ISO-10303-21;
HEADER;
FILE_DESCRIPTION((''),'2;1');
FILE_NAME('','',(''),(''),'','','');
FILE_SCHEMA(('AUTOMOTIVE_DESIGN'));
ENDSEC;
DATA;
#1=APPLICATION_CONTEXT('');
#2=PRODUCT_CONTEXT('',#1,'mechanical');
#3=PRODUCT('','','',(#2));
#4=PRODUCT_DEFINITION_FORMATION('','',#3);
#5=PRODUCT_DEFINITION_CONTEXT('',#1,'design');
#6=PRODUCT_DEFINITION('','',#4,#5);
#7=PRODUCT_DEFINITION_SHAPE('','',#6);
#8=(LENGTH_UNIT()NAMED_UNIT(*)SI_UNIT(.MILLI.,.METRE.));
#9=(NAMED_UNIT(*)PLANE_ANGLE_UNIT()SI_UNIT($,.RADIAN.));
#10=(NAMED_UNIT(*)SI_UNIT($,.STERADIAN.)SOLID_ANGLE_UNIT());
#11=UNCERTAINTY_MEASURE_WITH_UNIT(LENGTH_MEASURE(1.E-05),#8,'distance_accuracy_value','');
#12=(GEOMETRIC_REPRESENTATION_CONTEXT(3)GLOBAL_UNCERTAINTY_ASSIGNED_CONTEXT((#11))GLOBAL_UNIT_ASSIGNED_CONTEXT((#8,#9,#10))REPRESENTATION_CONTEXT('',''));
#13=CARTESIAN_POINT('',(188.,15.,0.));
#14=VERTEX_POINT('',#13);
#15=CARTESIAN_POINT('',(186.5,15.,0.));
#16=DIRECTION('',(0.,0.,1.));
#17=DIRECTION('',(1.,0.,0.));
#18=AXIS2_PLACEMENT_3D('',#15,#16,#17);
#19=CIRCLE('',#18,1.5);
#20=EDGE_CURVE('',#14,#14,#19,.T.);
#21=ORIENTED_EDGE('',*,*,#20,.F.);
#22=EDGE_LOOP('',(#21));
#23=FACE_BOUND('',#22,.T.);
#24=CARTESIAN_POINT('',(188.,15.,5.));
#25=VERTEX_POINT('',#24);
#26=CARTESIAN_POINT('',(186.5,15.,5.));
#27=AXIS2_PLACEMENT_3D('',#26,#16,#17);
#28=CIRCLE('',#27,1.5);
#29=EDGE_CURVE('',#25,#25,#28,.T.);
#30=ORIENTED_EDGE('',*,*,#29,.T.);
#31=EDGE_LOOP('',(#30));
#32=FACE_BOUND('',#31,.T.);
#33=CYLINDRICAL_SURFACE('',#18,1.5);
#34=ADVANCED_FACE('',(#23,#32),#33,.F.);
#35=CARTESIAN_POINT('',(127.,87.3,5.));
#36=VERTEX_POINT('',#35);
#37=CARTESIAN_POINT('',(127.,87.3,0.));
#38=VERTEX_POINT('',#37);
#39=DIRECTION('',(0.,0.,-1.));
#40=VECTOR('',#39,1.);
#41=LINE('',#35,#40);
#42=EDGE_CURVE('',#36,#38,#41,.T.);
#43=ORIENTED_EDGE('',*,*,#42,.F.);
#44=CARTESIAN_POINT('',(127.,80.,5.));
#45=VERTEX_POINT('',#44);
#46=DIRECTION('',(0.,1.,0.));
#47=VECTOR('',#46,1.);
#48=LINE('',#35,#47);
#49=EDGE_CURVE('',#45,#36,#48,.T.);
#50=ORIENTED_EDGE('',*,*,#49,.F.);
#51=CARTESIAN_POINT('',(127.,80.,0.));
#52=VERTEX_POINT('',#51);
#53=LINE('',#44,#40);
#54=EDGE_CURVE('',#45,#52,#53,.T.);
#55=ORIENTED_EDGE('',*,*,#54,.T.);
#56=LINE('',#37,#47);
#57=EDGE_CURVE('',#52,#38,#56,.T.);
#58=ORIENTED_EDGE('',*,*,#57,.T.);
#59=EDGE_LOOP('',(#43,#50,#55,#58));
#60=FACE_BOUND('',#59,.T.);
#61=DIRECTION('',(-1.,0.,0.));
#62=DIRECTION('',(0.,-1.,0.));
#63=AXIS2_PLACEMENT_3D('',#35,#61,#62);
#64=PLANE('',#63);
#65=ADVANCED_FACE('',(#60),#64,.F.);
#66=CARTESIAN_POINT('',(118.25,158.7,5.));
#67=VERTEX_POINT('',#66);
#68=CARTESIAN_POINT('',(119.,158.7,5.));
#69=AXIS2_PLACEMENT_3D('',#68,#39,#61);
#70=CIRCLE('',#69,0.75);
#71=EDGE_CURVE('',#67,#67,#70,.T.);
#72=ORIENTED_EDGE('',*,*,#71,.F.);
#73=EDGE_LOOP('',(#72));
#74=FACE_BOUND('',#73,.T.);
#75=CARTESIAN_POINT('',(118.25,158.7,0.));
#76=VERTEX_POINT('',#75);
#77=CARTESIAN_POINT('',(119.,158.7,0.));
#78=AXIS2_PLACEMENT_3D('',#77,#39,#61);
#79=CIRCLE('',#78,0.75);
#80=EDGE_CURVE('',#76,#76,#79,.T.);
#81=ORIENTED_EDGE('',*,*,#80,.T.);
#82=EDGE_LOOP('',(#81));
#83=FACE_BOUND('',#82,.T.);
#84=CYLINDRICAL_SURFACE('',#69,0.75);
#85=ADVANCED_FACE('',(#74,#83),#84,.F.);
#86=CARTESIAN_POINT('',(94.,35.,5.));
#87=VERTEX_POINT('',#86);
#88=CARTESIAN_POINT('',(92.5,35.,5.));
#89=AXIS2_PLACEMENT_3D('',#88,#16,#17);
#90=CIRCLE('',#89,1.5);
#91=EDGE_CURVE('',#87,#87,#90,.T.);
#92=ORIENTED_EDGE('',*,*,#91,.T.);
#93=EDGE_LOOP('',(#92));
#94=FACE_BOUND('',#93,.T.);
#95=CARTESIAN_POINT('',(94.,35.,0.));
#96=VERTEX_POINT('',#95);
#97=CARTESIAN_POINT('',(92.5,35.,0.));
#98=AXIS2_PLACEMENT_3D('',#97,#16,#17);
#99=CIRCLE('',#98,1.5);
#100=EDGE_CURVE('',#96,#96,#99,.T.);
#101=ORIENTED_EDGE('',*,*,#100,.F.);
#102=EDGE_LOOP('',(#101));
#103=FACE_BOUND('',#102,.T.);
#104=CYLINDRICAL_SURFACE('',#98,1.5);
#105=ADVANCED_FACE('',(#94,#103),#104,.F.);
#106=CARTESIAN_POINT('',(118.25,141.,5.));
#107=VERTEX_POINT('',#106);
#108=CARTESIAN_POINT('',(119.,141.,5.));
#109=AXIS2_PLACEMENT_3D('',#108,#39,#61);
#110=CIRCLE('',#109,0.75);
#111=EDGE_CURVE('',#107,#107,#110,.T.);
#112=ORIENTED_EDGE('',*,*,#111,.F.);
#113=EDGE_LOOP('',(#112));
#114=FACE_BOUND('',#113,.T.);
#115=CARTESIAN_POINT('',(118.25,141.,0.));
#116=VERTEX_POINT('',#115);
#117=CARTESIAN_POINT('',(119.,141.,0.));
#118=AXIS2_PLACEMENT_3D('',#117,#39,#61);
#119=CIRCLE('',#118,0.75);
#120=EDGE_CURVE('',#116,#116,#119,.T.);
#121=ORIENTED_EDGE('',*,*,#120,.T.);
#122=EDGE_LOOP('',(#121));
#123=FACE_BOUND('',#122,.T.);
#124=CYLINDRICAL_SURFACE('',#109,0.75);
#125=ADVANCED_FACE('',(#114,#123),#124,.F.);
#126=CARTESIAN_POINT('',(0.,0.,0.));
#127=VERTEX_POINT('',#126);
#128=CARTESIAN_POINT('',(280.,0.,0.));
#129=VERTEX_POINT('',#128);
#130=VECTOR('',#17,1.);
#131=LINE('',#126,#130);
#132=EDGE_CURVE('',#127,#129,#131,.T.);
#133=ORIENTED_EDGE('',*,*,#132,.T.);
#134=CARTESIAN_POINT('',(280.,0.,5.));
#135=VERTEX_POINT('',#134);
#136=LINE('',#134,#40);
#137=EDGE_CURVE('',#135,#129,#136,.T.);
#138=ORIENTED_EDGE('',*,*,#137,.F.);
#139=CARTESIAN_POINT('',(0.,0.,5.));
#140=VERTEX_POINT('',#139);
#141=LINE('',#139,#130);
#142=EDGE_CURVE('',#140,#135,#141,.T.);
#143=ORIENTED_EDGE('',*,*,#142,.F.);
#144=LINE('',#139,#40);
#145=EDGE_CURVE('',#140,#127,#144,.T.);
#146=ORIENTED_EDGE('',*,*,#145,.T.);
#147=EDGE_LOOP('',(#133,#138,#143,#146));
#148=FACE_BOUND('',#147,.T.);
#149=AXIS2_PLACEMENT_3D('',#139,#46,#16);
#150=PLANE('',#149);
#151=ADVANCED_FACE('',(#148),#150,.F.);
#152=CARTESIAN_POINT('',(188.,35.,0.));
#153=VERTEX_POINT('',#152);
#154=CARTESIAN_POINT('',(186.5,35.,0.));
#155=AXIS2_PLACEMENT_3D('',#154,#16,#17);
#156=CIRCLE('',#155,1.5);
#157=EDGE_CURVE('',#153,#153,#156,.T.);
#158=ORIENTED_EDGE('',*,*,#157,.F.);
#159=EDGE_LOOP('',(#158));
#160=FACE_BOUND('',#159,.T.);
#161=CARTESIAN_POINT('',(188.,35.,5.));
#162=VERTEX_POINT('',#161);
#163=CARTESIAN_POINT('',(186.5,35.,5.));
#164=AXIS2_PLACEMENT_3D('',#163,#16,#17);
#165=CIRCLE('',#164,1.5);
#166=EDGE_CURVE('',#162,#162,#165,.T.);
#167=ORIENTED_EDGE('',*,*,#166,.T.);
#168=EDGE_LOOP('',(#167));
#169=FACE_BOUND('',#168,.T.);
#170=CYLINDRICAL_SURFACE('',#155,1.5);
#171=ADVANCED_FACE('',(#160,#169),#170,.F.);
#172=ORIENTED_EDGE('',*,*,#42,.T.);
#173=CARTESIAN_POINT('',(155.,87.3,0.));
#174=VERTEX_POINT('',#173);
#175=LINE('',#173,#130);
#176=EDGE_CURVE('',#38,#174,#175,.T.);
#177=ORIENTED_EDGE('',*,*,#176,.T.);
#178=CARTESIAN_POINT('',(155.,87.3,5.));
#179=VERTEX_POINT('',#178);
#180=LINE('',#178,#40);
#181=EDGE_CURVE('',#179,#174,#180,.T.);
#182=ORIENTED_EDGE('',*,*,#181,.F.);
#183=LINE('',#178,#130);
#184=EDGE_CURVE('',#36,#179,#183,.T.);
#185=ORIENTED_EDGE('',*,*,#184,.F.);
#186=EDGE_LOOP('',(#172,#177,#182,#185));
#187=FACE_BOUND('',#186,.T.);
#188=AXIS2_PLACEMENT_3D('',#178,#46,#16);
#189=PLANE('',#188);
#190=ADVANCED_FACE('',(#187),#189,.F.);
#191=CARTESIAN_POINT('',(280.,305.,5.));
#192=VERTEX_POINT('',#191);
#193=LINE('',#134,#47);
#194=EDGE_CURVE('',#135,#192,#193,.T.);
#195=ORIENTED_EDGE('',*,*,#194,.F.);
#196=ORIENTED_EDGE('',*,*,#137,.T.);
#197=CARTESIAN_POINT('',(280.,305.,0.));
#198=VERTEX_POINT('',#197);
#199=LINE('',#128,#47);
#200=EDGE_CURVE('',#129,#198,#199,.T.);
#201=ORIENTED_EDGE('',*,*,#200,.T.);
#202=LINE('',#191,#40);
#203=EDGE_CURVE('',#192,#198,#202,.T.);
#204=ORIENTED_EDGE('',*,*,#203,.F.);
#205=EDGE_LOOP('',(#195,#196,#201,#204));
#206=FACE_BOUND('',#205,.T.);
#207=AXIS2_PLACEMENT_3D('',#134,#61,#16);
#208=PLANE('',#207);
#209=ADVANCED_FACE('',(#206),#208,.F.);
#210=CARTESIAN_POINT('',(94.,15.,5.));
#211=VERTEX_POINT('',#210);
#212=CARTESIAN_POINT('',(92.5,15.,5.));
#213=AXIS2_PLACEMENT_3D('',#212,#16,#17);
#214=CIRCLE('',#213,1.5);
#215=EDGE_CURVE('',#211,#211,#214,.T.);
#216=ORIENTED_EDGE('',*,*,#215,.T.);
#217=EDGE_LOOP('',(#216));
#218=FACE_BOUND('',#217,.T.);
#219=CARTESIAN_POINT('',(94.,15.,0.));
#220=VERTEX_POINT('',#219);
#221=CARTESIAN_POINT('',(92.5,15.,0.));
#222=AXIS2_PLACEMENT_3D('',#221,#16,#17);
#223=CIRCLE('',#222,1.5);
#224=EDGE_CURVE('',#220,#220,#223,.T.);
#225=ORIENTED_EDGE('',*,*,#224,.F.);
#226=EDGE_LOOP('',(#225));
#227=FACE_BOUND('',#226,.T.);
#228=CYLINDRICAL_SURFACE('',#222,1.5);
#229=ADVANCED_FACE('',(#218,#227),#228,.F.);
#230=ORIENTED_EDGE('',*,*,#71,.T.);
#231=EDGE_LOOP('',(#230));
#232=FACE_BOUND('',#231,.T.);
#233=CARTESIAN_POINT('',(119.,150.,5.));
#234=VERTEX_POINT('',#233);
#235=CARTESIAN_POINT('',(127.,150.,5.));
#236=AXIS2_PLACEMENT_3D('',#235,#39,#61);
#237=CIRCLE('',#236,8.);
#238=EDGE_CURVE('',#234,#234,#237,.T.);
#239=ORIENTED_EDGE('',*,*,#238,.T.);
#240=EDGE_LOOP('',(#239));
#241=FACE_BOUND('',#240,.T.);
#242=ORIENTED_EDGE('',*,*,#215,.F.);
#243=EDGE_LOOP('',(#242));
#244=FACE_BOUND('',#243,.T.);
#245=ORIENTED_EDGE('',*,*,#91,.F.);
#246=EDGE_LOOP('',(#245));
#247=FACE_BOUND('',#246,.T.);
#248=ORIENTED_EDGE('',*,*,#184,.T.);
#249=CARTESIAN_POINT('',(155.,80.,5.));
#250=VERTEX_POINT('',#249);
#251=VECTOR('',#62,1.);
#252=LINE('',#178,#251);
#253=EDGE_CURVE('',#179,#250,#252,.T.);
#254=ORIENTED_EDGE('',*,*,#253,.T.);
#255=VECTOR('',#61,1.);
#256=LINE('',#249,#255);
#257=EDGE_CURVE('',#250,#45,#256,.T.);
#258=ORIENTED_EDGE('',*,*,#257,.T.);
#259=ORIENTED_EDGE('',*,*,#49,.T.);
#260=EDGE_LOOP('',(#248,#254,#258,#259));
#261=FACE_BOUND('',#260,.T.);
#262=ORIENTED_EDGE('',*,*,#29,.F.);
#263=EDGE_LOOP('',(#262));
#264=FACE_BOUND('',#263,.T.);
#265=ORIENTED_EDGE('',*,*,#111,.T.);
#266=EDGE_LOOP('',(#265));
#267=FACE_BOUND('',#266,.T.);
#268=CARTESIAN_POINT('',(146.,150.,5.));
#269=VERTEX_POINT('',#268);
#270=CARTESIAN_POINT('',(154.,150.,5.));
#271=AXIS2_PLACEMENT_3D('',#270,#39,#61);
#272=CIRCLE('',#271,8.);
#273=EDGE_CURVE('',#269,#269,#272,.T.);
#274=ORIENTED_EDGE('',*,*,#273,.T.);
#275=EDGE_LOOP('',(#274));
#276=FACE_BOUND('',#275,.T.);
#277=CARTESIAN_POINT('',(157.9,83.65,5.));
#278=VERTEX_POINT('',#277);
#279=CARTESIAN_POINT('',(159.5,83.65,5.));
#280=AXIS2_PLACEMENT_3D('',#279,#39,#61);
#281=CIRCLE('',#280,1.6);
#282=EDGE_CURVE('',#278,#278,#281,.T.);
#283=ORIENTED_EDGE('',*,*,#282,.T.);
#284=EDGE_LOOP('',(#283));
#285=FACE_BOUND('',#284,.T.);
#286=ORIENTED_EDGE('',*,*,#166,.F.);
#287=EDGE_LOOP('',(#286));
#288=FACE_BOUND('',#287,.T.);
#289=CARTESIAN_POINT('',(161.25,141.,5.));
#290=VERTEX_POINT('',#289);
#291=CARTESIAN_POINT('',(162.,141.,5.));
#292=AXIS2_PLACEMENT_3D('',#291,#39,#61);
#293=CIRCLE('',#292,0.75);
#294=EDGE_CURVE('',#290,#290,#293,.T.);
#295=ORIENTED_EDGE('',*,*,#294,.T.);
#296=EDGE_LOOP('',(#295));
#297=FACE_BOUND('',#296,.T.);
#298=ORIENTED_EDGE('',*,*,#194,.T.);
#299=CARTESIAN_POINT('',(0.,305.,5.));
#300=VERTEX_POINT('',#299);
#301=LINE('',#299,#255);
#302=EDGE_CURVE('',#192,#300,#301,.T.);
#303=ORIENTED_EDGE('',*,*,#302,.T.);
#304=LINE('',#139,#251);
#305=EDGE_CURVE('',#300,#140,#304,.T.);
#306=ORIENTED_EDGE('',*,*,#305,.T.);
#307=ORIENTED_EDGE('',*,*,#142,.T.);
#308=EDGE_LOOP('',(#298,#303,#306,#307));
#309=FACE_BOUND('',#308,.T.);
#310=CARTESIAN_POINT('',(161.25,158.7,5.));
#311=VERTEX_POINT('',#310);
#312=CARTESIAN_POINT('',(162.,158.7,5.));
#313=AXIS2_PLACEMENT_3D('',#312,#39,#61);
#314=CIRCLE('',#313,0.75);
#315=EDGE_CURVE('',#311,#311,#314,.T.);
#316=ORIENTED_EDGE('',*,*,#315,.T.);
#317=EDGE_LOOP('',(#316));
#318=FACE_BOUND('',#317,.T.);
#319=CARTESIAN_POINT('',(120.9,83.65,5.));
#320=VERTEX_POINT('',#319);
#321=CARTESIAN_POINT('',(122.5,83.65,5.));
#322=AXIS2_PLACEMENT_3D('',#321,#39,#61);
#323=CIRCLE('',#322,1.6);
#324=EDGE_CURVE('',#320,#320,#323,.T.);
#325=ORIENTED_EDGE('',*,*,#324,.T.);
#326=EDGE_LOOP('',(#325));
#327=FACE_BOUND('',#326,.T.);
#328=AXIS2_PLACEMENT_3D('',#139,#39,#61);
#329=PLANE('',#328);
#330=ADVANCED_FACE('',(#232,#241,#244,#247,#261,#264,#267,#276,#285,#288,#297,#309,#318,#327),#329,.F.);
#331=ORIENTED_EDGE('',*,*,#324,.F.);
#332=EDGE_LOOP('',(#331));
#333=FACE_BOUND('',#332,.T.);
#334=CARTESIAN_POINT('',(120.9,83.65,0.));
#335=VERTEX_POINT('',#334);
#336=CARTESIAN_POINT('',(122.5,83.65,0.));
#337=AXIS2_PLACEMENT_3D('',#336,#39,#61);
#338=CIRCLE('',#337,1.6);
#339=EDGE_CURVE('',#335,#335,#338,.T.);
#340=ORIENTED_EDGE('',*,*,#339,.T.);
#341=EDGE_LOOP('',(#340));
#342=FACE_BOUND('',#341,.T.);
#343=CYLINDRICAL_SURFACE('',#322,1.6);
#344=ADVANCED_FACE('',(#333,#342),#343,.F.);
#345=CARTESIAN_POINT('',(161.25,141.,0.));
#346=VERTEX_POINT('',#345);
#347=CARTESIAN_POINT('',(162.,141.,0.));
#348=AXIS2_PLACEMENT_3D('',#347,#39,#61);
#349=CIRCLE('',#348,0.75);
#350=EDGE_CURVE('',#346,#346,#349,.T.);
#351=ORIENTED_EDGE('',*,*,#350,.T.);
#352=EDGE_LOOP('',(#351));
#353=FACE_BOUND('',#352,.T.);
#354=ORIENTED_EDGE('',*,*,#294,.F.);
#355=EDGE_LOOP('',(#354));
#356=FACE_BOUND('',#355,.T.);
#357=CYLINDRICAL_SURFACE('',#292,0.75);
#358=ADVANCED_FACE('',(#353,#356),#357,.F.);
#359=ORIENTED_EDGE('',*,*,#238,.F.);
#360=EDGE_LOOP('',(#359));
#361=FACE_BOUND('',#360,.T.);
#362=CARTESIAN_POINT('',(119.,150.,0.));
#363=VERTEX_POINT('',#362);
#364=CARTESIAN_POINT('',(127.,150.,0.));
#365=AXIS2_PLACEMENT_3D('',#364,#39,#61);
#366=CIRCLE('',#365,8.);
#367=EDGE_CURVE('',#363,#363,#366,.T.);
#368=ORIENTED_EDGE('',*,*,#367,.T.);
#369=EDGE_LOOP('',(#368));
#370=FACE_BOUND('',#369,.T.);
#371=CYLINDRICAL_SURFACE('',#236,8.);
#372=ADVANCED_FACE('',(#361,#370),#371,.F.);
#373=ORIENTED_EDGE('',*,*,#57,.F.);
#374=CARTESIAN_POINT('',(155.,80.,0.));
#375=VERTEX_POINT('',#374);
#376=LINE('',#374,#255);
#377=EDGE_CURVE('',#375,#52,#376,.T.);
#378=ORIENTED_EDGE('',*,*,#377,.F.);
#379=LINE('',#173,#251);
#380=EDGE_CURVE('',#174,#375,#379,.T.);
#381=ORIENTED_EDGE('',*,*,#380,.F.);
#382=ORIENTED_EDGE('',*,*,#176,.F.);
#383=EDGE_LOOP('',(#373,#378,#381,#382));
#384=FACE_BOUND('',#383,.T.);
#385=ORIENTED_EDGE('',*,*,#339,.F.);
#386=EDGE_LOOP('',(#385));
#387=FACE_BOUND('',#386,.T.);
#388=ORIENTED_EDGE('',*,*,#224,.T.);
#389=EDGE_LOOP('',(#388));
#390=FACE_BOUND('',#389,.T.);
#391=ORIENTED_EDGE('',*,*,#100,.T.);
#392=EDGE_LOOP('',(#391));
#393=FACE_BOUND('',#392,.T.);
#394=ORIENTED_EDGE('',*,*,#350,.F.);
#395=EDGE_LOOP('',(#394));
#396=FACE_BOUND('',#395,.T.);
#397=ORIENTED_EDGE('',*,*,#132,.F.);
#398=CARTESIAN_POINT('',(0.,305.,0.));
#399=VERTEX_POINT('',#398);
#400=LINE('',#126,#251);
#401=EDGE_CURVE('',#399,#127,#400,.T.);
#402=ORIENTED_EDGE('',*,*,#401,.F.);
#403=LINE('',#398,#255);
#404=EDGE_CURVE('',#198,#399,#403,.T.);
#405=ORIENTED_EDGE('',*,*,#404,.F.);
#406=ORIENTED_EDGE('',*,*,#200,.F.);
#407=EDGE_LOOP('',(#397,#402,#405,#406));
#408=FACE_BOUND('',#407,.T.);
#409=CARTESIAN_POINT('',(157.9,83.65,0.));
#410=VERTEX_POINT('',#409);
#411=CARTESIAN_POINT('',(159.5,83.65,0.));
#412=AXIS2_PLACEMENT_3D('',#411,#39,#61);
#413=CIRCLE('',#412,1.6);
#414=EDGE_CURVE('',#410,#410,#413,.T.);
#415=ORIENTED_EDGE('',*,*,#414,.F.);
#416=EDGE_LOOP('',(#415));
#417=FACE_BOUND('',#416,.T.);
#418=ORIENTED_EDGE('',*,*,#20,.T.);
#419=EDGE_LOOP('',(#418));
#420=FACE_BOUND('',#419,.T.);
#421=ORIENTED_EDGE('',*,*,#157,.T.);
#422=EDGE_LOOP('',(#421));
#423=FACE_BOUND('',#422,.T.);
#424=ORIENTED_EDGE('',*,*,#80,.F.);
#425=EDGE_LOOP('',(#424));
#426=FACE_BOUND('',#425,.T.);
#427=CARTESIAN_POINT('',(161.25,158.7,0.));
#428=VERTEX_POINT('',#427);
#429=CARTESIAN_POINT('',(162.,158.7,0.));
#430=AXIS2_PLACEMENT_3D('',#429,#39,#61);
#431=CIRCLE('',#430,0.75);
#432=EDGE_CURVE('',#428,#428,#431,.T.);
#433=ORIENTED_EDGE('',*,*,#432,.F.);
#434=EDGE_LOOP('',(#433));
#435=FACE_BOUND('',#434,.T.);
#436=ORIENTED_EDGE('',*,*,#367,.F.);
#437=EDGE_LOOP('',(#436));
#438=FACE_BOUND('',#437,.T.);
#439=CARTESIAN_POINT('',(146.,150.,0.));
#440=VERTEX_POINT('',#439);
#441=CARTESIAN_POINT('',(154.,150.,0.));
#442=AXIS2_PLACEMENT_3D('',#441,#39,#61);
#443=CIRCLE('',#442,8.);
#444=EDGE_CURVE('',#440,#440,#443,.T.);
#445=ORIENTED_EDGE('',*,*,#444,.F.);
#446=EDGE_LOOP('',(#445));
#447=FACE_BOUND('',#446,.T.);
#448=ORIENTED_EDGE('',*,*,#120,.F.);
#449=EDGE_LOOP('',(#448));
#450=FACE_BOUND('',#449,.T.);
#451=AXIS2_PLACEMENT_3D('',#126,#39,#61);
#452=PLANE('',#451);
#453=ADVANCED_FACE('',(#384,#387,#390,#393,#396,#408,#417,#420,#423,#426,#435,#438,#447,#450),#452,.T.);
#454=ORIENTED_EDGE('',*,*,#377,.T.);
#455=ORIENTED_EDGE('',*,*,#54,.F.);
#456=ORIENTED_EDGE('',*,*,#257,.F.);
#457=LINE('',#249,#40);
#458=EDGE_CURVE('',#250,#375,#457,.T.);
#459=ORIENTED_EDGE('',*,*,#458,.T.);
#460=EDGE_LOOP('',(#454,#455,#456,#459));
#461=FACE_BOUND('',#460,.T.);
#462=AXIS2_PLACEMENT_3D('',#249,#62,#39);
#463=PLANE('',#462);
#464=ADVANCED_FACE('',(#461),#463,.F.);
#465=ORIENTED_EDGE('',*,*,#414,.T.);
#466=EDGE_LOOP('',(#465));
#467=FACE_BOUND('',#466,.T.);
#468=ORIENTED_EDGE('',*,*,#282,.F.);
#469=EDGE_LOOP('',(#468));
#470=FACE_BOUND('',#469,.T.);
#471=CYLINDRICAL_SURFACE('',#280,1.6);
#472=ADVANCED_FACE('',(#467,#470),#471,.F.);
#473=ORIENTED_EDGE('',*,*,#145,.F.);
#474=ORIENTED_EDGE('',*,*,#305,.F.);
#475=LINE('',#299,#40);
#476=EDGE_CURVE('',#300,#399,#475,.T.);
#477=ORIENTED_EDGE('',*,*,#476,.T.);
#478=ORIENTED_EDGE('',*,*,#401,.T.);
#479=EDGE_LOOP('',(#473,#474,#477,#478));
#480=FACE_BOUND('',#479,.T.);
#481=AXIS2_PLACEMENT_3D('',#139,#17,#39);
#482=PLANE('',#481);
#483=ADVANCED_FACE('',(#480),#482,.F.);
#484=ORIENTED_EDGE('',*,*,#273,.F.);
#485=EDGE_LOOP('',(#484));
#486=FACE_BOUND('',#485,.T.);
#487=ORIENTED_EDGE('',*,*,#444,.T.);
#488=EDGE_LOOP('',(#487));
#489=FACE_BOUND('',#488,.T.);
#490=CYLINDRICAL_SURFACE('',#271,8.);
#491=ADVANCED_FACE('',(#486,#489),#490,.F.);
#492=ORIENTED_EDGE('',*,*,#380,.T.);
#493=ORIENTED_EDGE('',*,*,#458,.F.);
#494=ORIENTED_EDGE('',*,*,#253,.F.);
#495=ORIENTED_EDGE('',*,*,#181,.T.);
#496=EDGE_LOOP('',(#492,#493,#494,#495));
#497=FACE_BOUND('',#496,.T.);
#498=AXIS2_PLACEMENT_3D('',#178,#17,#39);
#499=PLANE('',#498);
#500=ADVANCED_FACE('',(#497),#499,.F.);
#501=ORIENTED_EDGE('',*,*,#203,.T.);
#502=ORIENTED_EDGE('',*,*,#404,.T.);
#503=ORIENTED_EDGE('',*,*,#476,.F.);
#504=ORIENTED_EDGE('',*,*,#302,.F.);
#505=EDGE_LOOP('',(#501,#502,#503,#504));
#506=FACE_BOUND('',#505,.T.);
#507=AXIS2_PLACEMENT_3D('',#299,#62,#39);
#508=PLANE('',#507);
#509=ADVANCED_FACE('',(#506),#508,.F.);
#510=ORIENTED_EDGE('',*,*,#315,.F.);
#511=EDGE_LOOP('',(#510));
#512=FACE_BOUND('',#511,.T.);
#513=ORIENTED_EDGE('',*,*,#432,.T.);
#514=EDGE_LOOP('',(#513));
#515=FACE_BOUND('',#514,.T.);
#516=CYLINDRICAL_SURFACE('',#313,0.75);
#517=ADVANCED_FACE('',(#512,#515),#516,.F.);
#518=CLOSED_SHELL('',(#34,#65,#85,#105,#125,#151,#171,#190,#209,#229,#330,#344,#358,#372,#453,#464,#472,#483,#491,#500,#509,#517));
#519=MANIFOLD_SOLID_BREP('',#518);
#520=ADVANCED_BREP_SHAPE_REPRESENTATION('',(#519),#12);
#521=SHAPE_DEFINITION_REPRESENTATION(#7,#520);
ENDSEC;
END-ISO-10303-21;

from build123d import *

# Parameters (mm, degrees)
ESQUISSE1_W             = 280
ESQUISSE1_H             = 305
BOSS_EXTRU_1_DEPTH      = 5
ESQUISSE2_R             = 1.5
ENL_V_MAT_EXTRU_1_DEPTH = 415.065212255
ESQUISSE3_R             = 1.5
ENL_V_MAT_EXTRU_2_DEPTH = 415.065212255
ESQUISSE4_R             = 1.6
ESQUISSE4_W             = 28
ESQUISSE4_H             = 7.3
ENL_V_MAT_EXTRU_3_DEPTH = 415.065212255
ESQUISSE5_R             = 8
ESQUISSE5_R_2           = 0.75
ENL_V_MAT_EXTRU_4_DEPTH = 415.065212255


with BuildPart() as part:
    # Esquisse1 → Boss.-Extru.1 (new body)
    with BuildSketch(Plane.XY):
        with Locations((140, 152.5)):
            Rectangle(ESQUISSE1_W, ESQUISSE1_H)
    extrude(amount=BOSS_EXTRU_1_DEPTH)

    # Esquisse2 → Enlèv. mat.-Extru.1 (cut, through all)
    with BuildSketch(Plane.XY.offset(5)):
        with Locations((92.5, 35)):
            Circle(ESQUISSE2_R)
        with Locations((92.5, 15)):
            Circle(ESQUISSE2_R)
        with Locations((186.5, 35)):
            Circle(ESQUISSE2_R)
        with Locations((186.5, 15)):
            Circle(ESQUISSE2_R)
    extrude(amount=-ENL_V_MAT_EXTRU_1_DEPTH, mode=Mode.SUBTRACT)

    # Esquisse3 → Enlèv. mat.-Extru.2 (cut, through all)
    with BuildSketch(Plane.XY.offset(5)):
        with Locations((187.5, 758.805531468)):
            Circle(ESQUISSE3_R)
        with Locations((187.5, 778.805531468)):
            Circle(ESQUISSE3_R)
        with Locations((93.5, 758.805531468)):
            Circle(ESQUISSE3_R)
        with Locations((93.5, 778.805531468)):
            Circle(ESQUISSE3_R)
    extrude(amount=-ENL_V_MAT_EXTRU_2_DEPTH, mode=Mode.SUBTRACT)

    # Esquisse4 → Enlèv. mat.-Extru.3 (cut, through all)
    with BuildSketch(Plane(origin=(0, 0, 0), x_dir=(-1, 0, 0), z_dir=(0, 0, -1))):
        with Locations((-159.5, 83.65)):
            Circle(ESQUISSE4_R)
        with Locations((-122.5, 83.65)):
            Circle(ESQUISSE4_R)
        with Locations((-141, 83.65)):
            Rectangle(ESQUISSE4_W, ESQUISSE4_H)
    extrude(amount=-ENL_V_MAT_EXTRU_3_DEPTH, mode=Mode.SUBTRACT)

    # Esquisse5 → Enlèv. mat.-Extru.4 (cut, through all)
    with BuildSketch(Plane(origin=(0, 0, 0), x_dir=(-1, 0, 0), z_dir=(0, 0, -1))):
        with Locations((-154, 150)):
            Circle(ESQUISSE5_R)
        with Locations((-127, 150)):
            Circle(ESQUISSE5_R)
        with Locations((-119, 158.7)):
            Circle(ESQUISSE5_R_2)
        with Locations((-162, 158.7)):
            Circle(ESQUISSE5_R_2)
        with Locations((-162, 141)):
            Circle(ESQUISSE5_R_2)
        with Locations((-119, 141)):
            Circle(ESQUISSE5_R_2)
    extrude(amount=-ENL_V_MAT_EXTRU_4_DEPTH, mode=Mode.SUBTRACT)


solid = part.part
